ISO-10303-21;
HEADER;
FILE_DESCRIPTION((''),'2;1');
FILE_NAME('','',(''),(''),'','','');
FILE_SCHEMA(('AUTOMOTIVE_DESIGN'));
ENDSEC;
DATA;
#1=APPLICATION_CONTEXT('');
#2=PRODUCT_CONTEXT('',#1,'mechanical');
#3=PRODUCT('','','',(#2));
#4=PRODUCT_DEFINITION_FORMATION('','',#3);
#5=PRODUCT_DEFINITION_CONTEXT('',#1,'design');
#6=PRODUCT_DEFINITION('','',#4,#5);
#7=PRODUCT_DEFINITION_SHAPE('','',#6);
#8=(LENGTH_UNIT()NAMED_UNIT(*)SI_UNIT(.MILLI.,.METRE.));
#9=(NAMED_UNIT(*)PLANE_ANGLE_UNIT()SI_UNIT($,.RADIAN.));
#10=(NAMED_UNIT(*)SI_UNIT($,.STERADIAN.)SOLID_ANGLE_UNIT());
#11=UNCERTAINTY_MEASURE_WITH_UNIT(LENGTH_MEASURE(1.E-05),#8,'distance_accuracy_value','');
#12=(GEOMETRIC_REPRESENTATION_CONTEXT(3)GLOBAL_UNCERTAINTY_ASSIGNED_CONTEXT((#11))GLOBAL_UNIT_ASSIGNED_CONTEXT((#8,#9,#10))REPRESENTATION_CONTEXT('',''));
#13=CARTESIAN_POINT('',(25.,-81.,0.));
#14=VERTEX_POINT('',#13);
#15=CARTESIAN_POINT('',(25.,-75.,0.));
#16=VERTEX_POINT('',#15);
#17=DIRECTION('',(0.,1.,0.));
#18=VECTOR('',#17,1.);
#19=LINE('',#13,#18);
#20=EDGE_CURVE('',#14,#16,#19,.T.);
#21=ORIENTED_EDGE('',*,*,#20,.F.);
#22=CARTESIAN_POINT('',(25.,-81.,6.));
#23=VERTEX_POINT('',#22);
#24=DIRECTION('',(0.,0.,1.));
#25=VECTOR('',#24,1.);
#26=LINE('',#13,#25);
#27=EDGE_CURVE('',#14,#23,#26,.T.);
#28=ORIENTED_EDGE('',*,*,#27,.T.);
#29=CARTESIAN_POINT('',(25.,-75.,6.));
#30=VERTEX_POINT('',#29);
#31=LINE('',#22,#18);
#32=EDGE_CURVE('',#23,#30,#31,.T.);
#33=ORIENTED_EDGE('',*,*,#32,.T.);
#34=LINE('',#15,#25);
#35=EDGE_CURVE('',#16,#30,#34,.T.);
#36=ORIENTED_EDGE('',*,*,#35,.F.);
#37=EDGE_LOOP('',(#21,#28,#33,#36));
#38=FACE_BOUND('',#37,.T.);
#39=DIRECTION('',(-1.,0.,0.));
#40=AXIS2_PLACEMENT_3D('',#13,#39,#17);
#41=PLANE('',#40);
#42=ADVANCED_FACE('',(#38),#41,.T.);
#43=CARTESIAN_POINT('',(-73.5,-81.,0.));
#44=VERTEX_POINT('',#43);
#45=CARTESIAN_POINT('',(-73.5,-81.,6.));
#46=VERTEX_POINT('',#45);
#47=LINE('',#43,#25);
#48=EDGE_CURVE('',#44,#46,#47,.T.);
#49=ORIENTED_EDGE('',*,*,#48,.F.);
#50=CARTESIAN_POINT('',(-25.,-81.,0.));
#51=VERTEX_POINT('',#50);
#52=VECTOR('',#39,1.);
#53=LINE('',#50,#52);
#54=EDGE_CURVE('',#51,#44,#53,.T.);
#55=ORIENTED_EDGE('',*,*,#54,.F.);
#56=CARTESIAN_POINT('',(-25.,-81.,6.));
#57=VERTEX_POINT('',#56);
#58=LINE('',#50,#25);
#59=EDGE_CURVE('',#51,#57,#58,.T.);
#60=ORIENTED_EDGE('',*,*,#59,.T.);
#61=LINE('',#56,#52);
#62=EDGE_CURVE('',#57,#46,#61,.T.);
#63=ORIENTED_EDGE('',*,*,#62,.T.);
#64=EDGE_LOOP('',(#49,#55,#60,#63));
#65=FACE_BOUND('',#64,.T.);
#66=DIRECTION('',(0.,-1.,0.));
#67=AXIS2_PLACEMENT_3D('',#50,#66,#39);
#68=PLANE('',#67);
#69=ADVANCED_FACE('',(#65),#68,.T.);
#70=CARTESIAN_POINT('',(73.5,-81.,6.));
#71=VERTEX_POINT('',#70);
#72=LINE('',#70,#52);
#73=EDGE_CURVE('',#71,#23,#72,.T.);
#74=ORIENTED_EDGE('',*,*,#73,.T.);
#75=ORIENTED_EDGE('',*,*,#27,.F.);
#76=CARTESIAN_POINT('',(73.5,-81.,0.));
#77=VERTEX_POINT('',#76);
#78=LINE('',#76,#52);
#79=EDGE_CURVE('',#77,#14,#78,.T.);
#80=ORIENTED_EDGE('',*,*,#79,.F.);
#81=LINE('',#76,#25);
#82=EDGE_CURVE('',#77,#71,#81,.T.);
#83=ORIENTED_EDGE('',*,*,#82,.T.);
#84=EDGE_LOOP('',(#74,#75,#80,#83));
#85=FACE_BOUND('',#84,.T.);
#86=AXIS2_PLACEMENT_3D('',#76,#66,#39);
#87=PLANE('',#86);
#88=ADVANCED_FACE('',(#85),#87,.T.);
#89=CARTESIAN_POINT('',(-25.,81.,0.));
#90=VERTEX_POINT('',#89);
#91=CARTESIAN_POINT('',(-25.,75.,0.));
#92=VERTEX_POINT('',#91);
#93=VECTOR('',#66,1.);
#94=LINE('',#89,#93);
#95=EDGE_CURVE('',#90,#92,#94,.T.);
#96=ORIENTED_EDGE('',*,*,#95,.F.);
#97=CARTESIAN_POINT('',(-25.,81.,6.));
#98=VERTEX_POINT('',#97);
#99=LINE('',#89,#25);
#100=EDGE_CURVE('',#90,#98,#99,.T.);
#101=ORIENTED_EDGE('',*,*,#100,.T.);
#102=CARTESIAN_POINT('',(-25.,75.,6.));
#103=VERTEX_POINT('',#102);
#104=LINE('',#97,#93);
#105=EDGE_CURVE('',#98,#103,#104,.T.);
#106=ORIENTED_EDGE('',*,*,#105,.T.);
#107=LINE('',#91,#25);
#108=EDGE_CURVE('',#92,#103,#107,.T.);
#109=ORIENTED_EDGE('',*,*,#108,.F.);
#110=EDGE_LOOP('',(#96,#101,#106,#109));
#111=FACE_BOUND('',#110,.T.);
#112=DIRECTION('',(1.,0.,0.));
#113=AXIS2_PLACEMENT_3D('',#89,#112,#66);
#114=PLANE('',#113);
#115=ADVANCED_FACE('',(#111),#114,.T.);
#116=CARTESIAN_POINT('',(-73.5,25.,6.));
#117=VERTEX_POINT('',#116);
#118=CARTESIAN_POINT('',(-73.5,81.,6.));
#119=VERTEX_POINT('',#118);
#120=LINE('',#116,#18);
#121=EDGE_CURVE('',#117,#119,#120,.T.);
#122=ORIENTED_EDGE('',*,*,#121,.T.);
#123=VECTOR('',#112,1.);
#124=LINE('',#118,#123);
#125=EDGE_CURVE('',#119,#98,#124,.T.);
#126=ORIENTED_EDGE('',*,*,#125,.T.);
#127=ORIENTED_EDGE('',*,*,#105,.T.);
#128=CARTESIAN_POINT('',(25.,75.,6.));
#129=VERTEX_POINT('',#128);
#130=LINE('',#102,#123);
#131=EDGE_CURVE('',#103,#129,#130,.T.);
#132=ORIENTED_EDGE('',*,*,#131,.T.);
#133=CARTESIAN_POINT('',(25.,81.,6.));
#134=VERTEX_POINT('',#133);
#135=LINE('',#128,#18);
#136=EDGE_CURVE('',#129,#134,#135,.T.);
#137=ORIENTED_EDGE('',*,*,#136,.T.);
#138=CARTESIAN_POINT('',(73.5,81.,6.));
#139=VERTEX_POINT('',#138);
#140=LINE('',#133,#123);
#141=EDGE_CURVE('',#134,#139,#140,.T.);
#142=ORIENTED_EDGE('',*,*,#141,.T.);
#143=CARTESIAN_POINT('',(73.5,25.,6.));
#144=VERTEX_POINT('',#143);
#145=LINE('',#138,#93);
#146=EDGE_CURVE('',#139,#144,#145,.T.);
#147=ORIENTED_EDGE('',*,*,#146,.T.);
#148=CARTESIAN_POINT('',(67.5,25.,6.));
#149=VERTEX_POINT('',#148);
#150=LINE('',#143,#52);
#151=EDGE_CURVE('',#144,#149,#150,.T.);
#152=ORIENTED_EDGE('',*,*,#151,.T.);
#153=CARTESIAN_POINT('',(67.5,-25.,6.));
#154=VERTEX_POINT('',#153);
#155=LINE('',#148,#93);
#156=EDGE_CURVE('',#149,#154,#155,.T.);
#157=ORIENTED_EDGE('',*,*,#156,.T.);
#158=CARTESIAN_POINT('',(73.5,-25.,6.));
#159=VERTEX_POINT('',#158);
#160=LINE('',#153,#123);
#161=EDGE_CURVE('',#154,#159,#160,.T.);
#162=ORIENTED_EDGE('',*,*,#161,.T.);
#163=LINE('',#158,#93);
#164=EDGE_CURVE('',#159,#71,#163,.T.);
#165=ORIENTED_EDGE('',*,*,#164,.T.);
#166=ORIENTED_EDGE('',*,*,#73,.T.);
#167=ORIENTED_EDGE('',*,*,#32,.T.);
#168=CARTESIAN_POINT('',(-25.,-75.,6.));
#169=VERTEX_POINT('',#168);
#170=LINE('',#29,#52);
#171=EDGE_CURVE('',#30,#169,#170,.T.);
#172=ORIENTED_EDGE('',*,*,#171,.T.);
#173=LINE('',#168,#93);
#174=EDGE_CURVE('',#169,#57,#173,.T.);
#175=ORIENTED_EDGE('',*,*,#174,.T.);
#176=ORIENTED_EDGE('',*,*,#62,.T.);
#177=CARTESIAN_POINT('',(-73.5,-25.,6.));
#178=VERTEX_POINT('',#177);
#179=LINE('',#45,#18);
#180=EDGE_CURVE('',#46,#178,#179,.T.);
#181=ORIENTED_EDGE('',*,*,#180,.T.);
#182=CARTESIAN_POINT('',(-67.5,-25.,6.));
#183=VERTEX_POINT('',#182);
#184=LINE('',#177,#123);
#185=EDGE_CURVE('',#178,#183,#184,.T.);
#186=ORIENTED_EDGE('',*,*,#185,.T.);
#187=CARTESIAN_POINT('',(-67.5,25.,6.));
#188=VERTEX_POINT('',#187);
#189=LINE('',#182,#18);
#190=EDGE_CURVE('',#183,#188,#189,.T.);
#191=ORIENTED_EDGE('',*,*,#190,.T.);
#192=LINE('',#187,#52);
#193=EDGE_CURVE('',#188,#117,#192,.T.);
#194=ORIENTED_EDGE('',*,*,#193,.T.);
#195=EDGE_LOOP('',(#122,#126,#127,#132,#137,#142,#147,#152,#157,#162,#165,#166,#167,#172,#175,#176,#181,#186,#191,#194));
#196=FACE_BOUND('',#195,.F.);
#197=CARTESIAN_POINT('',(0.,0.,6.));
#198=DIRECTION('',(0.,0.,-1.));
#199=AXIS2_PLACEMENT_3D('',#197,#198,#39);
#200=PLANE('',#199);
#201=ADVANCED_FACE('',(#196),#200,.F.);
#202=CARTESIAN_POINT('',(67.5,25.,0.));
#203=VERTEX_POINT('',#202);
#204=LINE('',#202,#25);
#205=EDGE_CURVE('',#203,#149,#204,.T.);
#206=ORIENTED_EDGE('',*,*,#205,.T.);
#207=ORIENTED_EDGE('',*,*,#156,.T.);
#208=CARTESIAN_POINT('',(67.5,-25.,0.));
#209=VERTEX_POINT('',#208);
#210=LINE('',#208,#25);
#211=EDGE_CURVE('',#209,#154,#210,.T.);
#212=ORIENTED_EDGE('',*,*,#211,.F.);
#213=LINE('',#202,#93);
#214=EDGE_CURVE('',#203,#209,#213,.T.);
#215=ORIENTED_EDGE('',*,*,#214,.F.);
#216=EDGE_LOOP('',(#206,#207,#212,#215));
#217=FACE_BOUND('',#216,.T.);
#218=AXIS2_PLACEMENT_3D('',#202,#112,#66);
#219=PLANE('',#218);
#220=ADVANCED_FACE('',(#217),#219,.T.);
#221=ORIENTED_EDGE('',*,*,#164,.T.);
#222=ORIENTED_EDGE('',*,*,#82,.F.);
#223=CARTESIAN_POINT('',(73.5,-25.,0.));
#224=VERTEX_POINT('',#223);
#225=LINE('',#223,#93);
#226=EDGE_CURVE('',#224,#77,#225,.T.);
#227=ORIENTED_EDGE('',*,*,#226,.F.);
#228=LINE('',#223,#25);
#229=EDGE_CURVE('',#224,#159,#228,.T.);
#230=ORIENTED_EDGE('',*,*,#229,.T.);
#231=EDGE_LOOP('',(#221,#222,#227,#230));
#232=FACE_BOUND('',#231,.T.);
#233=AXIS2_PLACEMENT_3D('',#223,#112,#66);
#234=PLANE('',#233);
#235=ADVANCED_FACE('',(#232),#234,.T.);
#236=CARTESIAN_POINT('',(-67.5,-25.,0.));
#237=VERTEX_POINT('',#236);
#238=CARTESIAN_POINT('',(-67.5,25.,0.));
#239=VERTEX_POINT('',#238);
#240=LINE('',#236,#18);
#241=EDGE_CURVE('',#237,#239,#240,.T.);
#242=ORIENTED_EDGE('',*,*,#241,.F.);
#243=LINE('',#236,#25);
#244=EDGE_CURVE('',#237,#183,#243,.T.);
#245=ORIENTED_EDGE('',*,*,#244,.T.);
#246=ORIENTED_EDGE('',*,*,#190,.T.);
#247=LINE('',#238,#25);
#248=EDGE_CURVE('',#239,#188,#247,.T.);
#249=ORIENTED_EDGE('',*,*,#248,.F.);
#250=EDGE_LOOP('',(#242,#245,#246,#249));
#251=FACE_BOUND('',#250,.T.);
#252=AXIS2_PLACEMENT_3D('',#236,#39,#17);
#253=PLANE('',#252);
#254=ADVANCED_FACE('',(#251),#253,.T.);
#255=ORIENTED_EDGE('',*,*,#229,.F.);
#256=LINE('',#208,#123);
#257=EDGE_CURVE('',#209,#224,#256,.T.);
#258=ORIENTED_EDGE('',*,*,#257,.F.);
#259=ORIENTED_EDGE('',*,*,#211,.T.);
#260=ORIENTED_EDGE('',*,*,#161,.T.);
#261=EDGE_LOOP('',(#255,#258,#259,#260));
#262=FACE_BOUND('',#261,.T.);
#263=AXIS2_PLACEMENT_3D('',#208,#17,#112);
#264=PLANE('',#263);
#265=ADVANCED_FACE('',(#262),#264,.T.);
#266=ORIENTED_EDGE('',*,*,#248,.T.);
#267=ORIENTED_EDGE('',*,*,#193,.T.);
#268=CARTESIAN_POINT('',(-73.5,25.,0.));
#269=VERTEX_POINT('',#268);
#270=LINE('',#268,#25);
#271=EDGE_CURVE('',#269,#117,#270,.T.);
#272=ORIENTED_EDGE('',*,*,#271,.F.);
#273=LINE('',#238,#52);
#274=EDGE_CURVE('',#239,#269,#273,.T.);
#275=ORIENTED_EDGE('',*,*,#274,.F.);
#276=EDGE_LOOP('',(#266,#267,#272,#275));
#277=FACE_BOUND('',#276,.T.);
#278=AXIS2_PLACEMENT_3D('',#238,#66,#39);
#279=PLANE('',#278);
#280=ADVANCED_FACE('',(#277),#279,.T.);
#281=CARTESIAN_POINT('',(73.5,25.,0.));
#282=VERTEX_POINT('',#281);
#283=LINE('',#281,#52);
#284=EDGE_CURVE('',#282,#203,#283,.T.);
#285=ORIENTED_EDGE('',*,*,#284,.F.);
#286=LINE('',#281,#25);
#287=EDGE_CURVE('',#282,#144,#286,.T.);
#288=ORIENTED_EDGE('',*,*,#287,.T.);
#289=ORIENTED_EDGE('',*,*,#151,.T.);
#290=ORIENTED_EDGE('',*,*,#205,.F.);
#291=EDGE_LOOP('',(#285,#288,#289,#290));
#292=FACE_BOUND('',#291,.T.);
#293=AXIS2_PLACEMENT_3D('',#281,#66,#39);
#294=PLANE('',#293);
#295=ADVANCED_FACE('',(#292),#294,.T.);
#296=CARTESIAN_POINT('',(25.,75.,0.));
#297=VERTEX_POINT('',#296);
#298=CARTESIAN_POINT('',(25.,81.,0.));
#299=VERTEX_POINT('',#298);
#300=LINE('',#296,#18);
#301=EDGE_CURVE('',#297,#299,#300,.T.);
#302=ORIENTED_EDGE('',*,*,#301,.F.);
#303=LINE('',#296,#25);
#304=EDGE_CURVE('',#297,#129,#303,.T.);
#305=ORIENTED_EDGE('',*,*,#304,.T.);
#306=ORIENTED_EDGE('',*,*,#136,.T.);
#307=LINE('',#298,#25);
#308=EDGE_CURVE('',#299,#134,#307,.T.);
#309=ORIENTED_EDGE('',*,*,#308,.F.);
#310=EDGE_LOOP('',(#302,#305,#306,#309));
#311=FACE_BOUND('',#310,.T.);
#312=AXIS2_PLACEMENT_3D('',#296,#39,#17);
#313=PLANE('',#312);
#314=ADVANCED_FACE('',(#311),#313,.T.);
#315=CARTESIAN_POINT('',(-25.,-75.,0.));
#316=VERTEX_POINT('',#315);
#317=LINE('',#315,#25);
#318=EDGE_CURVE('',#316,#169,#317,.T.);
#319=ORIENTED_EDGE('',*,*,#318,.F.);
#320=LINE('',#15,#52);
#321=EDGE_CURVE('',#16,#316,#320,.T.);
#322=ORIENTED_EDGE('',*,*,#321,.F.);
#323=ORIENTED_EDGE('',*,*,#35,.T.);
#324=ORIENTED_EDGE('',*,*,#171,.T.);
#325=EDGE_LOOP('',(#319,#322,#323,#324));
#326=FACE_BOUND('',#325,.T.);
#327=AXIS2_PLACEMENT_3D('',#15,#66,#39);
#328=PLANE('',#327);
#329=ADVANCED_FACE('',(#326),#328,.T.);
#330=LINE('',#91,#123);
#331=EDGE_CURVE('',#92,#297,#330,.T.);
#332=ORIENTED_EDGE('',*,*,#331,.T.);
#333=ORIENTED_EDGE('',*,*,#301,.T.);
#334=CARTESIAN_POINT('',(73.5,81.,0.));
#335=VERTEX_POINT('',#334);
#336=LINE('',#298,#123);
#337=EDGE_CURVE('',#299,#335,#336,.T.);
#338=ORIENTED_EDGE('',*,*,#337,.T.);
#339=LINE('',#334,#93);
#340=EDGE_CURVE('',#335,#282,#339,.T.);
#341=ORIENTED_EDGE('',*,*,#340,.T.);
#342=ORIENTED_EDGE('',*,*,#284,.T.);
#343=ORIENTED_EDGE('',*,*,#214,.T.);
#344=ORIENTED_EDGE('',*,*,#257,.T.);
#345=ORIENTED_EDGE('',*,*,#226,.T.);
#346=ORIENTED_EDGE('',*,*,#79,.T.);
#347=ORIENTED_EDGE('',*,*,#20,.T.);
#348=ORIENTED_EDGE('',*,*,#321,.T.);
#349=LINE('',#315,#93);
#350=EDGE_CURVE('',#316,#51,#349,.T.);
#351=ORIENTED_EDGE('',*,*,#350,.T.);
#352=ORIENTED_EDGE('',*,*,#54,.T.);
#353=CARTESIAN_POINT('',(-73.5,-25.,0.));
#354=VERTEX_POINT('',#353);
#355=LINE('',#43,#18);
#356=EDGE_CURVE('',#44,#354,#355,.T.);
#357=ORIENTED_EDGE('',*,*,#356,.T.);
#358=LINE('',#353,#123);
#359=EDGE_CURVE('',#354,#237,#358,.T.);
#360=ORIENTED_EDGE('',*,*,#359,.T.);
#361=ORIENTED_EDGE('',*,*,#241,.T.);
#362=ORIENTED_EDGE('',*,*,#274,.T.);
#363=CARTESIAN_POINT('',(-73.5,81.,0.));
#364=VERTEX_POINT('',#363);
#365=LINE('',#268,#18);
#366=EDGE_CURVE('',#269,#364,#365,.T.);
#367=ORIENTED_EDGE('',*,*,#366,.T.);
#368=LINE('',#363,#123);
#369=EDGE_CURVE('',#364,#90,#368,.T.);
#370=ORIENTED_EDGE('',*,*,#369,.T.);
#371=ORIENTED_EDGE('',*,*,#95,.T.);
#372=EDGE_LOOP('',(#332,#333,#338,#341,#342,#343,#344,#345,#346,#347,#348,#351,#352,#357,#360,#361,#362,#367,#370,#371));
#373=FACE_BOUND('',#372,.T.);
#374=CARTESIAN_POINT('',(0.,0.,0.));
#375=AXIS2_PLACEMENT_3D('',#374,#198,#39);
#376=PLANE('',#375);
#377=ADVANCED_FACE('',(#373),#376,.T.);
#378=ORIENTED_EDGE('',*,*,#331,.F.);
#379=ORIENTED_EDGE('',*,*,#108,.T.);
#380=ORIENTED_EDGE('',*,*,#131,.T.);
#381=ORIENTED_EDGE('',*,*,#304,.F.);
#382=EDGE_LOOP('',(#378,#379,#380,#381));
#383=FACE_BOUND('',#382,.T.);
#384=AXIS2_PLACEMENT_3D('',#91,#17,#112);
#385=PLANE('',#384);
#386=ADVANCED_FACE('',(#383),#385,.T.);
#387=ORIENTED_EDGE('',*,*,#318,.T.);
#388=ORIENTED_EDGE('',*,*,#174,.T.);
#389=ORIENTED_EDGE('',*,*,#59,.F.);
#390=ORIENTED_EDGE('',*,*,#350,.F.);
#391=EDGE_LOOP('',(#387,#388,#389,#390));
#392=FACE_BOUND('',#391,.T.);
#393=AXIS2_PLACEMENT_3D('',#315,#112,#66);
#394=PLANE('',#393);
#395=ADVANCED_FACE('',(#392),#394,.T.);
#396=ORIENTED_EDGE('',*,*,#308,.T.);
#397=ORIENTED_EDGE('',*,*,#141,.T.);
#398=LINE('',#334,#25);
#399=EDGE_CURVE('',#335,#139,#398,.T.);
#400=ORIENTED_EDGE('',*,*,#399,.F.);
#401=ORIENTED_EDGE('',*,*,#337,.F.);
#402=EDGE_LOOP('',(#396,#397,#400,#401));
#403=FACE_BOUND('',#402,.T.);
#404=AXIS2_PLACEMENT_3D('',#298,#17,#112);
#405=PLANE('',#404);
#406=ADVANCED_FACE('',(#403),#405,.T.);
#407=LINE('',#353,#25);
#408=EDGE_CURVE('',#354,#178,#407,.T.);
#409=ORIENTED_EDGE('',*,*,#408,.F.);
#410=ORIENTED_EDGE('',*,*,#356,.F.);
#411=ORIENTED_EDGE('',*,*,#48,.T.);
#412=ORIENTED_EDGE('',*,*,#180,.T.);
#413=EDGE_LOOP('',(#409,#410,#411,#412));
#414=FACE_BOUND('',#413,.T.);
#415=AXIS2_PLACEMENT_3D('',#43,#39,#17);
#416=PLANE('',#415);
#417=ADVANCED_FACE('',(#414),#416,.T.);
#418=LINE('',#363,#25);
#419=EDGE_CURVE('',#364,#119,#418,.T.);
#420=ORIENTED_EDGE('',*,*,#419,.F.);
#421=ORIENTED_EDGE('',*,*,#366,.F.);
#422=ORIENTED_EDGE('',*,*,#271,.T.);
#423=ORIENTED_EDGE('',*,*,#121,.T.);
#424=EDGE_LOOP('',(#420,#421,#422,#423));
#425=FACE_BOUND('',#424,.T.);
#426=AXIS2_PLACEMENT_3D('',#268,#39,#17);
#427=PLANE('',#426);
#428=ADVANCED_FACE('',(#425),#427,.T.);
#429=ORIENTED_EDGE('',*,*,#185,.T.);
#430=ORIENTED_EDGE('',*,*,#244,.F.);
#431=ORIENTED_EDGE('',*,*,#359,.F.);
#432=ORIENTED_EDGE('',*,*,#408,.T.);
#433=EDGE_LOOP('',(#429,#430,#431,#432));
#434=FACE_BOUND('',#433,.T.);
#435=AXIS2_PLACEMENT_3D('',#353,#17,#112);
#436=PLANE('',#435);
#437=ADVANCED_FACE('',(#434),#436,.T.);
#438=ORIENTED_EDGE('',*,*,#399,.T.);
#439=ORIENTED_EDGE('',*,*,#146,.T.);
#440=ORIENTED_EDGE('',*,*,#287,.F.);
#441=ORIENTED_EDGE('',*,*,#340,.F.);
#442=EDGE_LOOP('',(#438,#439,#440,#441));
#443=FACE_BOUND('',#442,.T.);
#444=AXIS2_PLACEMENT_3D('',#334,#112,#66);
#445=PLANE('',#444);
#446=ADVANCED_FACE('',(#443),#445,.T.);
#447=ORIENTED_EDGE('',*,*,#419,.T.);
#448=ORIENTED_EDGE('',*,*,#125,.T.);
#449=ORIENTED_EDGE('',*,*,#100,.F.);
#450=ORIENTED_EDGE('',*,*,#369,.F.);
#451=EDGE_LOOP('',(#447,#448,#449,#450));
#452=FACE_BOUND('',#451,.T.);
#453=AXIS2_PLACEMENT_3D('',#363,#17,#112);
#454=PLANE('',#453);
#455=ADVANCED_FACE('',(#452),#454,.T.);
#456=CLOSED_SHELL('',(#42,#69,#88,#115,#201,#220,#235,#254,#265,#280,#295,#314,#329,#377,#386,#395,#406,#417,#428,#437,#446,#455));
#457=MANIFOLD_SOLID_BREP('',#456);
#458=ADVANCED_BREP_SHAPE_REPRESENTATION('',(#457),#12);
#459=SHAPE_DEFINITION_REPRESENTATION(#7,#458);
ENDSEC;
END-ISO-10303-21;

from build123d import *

# Parameters (mm, degrees)
SALIENTE_EXTRUIR1_DEPTH = 6


with BuildPart() as part:
    # Croquis1 → Saliente-Extruir1 (new body)
    with BuildSketch(Plane.XY):
        Polygon((-73.5, 81), (-25, 81), (-25, 75), (25, 75), (25, 81), (73.5, 81), (73.5, 25), (67.5, 25), (67.5, -25), (73.5, -25), (73.5, -81), (25, -81), (25, -75), (-25, -75), (-25, -81), (-73.5, -81), (-73.5, -25), (-67.5, -25), (-67.5, 25), (-73.5, 25), align=None)
    extrude(amount=SALIENTE_EXTRUIR1_DEPTH)


solid = part.part
